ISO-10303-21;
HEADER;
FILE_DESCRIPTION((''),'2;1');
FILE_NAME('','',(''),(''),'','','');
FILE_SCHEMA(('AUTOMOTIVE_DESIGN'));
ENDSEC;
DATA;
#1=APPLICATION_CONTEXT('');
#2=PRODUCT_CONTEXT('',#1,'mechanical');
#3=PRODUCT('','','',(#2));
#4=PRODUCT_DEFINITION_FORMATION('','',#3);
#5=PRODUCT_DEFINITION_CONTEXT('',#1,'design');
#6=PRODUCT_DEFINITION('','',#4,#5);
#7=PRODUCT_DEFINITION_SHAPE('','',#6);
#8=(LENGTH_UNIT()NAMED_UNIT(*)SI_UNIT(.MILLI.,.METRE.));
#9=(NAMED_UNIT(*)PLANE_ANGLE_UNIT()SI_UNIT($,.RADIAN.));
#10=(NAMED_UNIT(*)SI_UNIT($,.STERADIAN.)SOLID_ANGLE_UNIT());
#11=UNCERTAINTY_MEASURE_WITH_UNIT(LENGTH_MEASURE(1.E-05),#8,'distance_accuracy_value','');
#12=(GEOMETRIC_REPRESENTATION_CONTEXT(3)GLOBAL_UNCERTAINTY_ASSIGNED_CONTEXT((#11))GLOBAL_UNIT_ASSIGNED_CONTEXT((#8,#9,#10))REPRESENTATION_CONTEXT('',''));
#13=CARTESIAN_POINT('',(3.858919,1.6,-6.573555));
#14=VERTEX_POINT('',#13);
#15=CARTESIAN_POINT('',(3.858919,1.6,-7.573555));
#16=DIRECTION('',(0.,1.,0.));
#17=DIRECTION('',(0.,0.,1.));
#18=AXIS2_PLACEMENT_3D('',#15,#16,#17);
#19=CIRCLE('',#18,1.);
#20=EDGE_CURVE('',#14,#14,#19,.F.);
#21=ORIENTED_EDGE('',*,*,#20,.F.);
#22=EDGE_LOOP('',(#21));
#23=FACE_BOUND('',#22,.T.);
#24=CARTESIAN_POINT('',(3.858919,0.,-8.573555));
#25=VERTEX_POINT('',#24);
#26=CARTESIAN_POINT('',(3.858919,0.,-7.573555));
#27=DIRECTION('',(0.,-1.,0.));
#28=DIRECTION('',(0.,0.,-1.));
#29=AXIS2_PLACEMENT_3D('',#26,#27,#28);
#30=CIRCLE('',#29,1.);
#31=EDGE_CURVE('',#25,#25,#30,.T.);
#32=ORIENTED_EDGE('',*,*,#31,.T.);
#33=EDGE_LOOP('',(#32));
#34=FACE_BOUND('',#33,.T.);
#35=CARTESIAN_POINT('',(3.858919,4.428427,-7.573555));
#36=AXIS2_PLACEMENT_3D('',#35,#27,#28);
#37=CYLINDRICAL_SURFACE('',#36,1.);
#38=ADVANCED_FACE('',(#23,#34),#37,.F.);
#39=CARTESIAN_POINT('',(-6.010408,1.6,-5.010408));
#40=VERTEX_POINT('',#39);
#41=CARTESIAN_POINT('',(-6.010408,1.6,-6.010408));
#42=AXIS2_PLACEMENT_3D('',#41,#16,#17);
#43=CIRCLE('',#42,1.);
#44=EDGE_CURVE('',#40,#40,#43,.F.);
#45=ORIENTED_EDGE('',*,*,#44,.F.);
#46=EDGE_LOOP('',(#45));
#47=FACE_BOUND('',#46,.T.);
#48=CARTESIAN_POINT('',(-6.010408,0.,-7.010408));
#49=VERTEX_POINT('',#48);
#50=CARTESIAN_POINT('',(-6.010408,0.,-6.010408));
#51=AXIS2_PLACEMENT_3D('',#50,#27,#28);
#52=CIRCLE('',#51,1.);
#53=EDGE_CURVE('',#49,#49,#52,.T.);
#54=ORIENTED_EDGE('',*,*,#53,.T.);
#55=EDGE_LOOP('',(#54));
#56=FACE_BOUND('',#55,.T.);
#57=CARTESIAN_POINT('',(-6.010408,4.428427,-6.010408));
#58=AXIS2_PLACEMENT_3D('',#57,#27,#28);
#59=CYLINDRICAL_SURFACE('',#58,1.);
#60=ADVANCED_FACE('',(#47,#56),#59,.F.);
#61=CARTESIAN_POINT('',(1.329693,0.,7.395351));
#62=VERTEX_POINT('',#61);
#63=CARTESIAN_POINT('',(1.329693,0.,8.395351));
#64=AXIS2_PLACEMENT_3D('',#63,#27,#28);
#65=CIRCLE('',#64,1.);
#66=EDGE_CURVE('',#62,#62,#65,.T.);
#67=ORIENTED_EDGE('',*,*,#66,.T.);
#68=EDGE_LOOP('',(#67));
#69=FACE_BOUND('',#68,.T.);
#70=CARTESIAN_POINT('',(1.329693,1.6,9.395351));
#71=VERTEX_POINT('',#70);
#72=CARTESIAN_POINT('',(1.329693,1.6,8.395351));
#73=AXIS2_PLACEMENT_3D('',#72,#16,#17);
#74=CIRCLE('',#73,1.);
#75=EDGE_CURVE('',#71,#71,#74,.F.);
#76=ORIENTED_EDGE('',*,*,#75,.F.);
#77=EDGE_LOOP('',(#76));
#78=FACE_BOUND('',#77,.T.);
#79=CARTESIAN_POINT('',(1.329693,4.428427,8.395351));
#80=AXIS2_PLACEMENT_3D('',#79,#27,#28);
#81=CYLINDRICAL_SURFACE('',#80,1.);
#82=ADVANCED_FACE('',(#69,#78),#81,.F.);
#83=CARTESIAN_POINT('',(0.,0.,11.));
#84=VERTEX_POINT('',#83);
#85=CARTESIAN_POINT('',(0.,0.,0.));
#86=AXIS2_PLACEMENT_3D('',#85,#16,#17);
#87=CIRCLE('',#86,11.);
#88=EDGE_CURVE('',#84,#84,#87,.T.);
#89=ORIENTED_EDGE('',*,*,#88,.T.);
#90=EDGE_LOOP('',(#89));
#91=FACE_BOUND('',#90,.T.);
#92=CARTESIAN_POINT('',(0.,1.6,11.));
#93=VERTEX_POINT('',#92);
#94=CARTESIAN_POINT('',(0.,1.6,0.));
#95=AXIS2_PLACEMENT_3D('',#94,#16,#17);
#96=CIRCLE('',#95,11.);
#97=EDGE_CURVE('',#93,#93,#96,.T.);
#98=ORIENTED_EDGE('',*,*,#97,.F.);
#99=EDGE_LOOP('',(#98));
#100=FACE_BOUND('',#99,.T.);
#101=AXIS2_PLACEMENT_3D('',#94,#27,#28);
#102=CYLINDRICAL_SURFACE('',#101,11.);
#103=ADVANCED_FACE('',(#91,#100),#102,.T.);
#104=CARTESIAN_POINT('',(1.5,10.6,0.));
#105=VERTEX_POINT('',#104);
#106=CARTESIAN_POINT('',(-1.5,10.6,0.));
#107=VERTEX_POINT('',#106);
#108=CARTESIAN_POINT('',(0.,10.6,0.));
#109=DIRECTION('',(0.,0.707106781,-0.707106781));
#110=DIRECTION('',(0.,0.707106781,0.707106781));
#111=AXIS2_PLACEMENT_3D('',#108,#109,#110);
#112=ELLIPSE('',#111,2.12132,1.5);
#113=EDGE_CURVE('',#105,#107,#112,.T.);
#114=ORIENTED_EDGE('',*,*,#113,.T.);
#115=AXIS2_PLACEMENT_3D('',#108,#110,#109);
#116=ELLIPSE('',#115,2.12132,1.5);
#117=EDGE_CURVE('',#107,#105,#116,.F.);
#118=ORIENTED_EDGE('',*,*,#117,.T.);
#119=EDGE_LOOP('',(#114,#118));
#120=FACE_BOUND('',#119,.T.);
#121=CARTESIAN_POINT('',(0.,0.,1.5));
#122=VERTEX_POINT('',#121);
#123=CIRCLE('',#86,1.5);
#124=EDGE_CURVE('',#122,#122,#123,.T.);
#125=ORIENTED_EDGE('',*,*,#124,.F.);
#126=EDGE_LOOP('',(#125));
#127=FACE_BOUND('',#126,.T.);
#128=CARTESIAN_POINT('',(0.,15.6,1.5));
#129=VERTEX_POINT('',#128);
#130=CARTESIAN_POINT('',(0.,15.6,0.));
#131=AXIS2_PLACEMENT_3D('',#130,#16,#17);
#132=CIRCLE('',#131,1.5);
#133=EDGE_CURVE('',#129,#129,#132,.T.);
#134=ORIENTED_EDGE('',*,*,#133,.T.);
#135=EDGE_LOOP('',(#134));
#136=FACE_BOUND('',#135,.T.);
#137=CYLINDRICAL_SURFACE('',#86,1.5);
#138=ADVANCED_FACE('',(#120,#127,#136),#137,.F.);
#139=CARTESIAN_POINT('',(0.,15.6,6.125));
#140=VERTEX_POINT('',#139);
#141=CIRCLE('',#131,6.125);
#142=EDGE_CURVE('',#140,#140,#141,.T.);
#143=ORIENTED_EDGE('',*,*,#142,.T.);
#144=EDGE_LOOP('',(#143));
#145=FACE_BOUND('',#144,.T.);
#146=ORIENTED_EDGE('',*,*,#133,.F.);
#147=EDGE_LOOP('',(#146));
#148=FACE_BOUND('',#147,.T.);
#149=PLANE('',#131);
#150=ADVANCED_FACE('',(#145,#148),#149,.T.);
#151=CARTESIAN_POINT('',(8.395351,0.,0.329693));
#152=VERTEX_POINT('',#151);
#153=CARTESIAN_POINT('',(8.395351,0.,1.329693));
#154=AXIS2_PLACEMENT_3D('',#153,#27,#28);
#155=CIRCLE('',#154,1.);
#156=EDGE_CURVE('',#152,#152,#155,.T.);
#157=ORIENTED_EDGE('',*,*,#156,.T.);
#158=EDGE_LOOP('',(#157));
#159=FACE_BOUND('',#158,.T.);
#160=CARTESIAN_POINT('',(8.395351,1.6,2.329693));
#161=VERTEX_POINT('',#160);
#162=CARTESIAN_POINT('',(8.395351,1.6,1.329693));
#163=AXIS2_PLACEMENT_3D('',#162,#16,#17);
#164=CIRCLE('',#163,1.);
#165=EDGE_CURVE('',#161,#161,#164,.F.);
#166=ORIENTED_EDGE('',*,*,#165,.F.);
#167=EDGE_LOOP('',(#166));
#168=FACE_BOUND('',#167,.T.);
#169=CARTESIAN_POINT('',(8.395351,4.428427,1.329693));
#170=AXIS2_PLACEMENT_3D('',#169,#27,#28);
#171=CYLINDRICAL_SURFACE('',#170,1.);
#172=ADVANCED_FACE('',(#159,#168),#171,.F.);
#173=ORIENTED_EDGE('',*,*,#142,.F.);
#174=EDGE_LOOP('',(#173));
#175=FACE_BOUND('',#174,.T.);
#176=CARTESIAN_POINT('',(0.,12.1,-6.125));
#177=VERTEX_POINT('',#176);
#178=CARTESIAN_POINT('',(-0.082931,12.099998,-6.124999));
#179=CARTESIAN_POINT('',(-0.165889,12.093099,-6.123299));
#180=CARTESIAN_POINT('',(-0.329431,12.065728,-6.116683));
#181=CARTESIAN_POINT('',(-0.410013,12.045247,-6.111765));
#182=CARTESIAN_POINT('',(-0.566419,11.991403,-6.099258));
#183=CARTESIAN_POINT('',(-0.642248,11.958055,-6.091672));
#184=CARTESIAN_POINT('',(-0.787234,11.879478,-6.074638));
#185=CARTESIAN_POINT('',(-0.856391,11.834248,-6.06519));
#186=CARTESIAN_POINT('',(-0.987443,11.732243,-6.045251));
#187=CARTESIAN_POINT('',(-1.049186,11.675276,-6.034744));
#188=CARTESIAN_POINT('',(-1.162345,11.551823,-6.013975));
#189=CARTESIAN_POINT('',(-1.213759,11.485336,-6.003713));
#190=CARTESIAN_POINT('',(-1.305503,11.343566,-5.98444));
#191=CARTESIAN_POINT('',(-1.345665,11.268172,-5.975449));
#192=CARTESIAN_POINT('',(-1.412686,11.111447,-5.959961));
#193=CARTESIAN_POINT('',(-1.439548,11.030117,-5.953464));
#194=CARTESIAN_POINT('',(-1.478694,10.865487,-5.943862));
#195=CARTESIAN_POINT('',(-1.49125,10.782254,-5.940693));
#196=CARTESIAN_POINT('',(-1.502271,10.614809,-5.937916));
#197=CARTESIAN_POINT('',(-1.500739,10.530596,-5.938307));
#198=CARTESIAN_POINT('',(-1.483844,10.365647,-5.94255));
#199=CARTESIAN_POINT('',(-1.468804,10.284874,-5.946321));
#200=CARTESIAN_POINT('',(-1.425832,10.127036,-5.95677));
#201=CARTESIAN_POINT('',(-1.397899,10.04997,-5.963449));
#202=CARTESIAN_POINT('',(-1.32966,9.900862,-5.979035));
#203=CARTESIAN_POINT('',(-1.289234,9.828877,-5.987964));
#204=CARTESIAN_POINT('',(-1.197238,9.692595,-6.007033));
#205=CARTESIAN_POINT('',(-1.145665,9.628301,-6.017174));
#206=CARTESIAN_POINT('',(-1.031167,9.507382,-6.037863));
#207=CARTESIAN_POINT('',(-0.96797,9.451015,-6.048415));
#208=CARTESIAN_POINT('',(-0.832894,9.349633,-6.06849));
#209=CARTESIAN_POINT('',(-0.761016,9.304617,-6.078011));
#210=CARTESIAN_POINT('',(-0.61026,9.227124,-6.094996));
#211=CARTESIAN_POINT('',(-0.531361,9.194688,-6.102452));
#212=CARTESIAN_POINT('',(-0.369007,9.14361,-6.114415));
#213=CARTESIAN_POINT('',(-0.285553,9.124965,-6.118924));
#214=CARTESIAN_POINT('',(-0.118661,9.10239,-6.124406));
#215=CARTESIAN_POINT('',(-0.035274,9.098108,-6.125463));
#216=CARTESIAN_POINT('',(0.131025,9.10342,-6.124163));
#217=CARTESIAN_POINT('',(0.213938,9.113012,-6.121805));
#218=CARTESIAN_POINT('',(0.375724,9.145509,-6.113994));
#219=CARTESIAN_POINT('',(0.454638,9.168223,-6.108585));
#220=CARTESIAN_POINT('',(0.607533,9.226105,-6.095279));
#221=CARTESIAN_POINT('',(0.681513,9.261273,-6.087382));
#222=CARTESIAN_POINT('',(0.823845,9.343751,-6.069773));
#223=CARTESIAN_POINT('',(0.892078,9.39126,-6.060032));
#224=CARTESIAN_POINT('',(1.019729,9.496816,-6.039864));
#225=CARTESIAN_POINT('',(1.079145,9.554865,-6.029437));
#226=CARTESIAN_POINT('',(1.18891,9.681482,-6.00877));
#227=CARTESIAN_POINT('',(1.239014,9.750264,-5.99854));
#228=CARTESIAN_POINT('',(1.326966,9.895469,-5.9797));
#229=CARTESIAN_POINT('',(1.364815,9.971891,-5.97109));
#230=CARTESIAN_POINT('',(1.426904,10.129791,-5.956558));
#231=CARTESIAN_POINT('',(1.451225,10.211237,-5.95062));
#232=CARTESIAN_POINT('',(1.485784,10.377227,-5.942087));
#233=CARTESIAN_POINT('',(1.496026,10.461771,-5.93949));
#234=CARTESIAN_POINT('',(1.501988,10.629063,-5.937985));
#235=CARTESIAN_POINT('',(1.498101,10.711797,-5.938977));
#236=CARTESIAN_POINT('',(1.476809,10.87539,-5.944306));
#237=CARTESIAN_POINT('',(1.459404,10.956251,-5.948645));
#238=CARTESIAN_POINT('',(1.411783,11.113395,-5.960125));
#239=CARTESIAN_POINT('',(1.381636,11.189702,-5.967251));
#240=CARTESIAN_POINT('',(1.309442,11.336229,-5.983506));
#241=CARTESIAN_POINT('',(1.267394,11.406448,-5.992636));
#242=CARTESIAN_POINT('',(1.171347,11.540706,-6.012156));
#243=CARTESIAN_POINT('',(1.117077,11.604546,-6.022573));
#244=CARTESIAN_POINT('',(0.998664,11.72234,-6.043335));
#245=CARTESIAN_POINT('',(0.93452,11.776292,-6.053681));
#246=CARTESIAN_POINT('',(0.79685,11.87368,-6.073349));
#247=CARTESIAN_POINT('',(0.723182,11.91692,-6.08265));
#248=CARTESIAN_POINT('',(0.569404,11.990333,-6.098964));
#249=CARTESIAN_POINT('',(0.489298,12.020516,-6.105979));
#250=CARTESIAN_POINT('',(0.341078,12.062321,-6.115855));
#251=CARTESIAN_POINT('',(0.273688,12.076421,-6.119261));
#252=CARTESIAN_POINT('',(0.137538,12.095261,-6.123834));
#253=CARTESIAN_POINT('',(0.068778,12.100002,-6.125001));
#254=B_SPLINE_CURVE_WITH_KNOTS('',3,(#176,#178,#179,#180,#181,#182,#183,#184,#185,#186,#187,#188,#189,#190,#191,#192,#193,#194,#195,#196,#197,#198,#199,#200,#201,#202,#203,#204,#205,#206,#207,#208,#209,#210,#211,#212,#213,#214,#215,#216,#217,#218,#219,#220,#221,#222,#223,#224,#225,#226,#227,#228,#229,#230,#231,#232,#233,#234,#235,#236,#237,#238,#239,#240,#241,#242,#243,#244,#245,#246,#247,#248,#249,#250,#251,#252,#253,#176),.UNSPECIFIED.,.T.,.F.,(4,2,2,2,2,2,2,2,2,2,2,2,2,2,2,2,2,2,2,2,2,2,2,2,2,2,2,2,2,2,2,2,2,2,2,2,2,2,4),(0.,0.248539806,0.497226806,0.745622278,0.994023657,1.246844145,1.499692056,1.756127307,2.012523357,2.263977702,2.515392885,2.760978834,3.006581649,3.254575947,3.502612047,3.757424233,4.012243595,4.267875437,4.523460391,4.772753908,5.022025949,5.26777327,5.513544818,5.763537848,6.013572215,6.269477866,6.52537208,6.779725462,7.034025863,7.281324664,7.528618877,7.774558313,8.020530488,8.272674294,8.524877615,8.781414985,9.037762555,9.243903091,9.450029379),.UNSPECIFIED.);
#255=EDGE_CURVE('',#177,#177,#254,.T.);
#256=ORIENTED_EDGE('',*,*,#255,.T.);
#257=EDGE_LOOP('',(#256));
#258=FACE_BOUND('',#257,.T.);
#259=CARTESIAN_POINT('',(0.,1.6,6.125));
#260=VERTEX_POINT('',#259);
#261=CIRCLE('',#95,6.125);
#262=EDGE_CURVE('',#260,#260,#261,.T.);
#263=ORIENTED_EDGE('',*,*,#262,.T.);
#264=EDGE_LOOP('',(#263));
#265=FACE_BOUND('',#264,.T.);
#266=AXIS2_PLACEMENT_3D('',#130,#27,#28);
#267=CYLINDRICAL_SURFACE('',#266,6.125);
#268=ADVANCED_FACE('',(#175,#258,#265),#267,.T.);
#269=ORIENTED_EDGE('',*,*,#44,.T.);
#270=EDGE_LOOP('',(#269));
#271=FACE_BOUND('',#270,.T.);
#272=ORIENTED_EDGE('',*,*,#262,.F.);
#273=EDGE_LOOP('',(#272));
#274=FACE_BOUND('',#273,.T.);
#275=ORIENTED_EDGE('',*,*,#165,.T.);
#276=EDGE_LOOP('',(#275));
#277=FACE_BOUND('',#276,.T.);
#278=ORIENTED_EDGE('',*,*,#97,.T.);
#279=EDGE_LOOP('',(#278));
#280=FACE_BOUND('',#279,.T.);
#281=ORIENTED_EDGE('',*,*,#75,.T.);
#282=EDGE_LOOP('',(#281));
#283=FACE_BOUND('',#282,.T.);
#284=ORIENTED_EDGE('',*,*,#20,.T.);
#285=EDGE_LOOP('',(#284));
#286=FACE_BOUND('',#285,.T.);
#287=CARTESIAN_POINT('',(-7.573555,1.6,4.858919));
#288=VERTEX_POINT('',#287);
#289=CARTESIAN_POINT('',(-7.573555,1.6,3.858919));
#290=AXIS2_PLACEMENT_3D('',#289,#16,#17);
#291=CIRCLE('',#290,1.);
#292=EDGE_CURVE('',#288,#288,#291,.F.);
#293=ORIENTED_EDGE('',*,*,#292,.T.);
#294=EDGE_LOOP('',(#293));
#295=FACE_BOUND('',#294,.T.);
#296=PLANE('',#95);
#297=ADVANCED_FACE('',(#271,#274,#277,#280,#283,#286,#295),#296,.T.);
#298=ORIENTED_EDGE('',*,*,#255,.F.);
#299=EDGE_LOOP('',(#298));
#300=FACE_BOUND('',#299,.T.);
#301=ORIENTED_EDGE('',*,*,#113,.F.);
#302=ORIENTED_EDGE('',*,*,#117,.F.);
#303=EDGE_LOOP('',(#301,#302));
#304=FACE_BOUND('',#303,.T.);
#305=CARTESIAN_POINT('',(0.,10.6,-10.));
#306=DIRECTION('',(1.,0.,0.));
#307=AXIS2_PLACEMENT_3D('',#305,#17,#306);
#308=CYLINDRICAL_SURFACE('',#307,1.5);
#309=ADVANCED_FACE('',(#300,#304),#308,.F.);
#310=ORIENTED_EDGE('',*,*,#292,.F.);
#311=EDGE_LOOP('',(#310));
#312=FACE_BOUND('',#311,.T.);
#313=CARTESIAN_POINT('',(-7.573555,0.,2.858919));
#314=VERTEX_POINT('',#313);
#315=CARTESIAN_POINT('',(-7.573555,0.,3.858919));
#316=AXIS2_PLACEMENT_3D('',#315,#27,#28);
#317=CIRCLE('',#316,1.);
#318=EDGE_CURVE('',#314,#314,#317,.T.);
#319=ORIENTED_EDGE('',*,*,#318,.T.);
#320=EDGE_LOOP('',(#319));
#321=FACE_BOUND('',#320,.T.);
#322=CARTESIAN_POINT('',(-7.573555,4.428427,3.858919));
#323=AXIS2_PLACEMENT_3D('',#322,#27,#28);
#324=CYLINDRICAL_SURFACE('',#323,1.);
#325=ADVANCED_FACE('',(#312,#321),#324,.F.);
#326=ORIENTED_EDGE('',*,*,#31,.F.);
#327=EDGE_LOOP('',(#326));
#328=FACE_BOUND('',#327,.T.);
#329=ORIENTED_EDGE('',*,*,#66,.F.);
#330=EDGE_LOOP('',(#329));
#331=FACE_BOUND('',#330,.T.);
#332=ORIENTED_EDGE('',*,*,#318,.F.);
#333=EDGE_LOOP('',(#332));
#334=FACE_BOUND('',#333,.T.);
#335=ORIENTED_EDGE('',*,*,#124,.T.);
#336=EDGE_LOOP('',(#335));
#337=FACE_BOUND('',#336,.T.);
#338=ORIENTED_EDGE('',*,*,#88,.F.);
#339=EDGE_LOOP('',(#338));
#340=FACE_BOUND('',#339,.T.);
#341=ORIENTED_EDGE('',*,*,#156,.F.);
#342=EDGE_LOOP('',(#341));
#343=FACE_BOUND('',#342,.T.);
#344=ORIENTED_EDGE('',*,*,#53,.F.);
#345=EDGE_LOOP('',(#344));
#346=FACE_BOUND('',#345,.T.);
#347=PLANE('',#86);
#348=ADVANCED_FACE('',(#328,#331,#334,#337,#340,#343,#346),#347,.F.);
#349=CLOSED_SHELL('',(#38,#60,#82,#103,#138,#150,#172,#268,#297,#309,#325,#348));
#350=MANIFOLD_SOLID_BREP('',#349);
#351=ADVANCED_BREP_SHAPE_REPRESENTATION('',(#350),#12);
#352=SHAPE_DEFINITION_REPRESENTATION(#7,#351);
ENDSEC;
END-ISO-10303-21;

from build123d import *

# Parameters (mm, degrees)
SKIZZE1_R                       = 11
AUFSATZ_LINEAR_AUSTRAGEN1_DEPTH = 1.6
SKIZZE2_R                       = 6.125
AUFSATZ_LINEAR_AUSTRAGEN2_DEPTH = 14
SKIZZE3_R                       = 1.5
SCHNITT_LINEAR_AUSTRAGEN1_DEPTH = 16.6
SKIZZE5_R                       = 0.830846671
SCHNITT_LINEAR_AUSTRAGEN3_DEPTH = 12
SKIZZE8_R                       = 1
SCHNITT_LINEAR_AUSTRAGEN4_DEPTH = 1.6
SKIZZE7_R                       = 1.5
SCHNITT_LINEAR_AUSTRAGEN5_DEPTH = 10


with BuildPart() as part:
    # Skizze1 → Aufsatz-Linear austragen1 (new body)
    with BuildSketch(Plane(origin=(0, 0, 0), x_dir=(1, 0, 0), z_dir=(0, 1, 0))):
        Circle(SKIZZE1_R)
    extrude(amount=AUFSATZ_LINEAR_AUSTRAGEN1_DEPTH)

    # Skizze2 → Aufsatz-Linear austragen2 (add)
    with BuildSketch(Plane(origin=(0, 1.6, 0), x_dir=(1, 0, 0), z_dir=(0, 1, 0))):
        Circle(SKIZZE2_R)
    extrude(amount=AUFSATZ_LINEAR_AUSTRAGEN2_DEPTH)

    # Skizze3 → Schnitt-Linear austragen1 (cut, through all)
    with BuildSketch(Plane(origin=(0, 15.6, 0), x_dir=(1, 0, 0), z_dir=(0, 1, 0))):
        Circle(SKIZZE3_R)
    extrude(amount=-SCHNITT_LINEAR_AUSTRAGEN1_DEPTH, mode=Mode.SUBTRACT)

    # Skizze5 → Schnitt-Linear austragen3 (cut, through all)
    with BuildSketch(Plane.XY):
        with Locations((0, 10.6)):
            Circle(SKIZZE5_R)
    extrude(amount=-SCHNITT_LINEAR_AUSTRAGEN3_DEPTH, mode=Mode.SUBTRACT)

    # Skizze8 → Schnitt-Linear austragen4 (cut)
    with BuildSketch(Plane.XZ):
        with Locations((-6.01040764, -6.01040764)):
            Circle(SKIZZE8_R)
        with Locations((-7.573555456, 3.858919248)):
            Circle(SKIZZE8_R)
        with Locations((1.329692953, 8.395350895)):
            Circle(SKIZZE8_R)
        with Locations((8.395350895, 1.329692953)):
            Circle(SKIZZE8_R)
        with Locations((3.858919248, -7.573555456)):
            Circle(SKIZZE8_R)
    extrude(amount=-SCHNITT_LINEAR_AUSTRAGEN4_DEPTH, mode=Mode.SUBTRACT)

    # Skizze7 → Schnitt-Linear austragen5 (cut)
    with BuildSketch(Plane.XY):
        with Locations((0, 10.6)):
            Circle(SKIZZE7_R)
    extrude(amount=-SCHNITT_LINEAR_AUSTRAGEN5_DEPTH, mode=Mode.SUBTRACT)


solid = part.part
